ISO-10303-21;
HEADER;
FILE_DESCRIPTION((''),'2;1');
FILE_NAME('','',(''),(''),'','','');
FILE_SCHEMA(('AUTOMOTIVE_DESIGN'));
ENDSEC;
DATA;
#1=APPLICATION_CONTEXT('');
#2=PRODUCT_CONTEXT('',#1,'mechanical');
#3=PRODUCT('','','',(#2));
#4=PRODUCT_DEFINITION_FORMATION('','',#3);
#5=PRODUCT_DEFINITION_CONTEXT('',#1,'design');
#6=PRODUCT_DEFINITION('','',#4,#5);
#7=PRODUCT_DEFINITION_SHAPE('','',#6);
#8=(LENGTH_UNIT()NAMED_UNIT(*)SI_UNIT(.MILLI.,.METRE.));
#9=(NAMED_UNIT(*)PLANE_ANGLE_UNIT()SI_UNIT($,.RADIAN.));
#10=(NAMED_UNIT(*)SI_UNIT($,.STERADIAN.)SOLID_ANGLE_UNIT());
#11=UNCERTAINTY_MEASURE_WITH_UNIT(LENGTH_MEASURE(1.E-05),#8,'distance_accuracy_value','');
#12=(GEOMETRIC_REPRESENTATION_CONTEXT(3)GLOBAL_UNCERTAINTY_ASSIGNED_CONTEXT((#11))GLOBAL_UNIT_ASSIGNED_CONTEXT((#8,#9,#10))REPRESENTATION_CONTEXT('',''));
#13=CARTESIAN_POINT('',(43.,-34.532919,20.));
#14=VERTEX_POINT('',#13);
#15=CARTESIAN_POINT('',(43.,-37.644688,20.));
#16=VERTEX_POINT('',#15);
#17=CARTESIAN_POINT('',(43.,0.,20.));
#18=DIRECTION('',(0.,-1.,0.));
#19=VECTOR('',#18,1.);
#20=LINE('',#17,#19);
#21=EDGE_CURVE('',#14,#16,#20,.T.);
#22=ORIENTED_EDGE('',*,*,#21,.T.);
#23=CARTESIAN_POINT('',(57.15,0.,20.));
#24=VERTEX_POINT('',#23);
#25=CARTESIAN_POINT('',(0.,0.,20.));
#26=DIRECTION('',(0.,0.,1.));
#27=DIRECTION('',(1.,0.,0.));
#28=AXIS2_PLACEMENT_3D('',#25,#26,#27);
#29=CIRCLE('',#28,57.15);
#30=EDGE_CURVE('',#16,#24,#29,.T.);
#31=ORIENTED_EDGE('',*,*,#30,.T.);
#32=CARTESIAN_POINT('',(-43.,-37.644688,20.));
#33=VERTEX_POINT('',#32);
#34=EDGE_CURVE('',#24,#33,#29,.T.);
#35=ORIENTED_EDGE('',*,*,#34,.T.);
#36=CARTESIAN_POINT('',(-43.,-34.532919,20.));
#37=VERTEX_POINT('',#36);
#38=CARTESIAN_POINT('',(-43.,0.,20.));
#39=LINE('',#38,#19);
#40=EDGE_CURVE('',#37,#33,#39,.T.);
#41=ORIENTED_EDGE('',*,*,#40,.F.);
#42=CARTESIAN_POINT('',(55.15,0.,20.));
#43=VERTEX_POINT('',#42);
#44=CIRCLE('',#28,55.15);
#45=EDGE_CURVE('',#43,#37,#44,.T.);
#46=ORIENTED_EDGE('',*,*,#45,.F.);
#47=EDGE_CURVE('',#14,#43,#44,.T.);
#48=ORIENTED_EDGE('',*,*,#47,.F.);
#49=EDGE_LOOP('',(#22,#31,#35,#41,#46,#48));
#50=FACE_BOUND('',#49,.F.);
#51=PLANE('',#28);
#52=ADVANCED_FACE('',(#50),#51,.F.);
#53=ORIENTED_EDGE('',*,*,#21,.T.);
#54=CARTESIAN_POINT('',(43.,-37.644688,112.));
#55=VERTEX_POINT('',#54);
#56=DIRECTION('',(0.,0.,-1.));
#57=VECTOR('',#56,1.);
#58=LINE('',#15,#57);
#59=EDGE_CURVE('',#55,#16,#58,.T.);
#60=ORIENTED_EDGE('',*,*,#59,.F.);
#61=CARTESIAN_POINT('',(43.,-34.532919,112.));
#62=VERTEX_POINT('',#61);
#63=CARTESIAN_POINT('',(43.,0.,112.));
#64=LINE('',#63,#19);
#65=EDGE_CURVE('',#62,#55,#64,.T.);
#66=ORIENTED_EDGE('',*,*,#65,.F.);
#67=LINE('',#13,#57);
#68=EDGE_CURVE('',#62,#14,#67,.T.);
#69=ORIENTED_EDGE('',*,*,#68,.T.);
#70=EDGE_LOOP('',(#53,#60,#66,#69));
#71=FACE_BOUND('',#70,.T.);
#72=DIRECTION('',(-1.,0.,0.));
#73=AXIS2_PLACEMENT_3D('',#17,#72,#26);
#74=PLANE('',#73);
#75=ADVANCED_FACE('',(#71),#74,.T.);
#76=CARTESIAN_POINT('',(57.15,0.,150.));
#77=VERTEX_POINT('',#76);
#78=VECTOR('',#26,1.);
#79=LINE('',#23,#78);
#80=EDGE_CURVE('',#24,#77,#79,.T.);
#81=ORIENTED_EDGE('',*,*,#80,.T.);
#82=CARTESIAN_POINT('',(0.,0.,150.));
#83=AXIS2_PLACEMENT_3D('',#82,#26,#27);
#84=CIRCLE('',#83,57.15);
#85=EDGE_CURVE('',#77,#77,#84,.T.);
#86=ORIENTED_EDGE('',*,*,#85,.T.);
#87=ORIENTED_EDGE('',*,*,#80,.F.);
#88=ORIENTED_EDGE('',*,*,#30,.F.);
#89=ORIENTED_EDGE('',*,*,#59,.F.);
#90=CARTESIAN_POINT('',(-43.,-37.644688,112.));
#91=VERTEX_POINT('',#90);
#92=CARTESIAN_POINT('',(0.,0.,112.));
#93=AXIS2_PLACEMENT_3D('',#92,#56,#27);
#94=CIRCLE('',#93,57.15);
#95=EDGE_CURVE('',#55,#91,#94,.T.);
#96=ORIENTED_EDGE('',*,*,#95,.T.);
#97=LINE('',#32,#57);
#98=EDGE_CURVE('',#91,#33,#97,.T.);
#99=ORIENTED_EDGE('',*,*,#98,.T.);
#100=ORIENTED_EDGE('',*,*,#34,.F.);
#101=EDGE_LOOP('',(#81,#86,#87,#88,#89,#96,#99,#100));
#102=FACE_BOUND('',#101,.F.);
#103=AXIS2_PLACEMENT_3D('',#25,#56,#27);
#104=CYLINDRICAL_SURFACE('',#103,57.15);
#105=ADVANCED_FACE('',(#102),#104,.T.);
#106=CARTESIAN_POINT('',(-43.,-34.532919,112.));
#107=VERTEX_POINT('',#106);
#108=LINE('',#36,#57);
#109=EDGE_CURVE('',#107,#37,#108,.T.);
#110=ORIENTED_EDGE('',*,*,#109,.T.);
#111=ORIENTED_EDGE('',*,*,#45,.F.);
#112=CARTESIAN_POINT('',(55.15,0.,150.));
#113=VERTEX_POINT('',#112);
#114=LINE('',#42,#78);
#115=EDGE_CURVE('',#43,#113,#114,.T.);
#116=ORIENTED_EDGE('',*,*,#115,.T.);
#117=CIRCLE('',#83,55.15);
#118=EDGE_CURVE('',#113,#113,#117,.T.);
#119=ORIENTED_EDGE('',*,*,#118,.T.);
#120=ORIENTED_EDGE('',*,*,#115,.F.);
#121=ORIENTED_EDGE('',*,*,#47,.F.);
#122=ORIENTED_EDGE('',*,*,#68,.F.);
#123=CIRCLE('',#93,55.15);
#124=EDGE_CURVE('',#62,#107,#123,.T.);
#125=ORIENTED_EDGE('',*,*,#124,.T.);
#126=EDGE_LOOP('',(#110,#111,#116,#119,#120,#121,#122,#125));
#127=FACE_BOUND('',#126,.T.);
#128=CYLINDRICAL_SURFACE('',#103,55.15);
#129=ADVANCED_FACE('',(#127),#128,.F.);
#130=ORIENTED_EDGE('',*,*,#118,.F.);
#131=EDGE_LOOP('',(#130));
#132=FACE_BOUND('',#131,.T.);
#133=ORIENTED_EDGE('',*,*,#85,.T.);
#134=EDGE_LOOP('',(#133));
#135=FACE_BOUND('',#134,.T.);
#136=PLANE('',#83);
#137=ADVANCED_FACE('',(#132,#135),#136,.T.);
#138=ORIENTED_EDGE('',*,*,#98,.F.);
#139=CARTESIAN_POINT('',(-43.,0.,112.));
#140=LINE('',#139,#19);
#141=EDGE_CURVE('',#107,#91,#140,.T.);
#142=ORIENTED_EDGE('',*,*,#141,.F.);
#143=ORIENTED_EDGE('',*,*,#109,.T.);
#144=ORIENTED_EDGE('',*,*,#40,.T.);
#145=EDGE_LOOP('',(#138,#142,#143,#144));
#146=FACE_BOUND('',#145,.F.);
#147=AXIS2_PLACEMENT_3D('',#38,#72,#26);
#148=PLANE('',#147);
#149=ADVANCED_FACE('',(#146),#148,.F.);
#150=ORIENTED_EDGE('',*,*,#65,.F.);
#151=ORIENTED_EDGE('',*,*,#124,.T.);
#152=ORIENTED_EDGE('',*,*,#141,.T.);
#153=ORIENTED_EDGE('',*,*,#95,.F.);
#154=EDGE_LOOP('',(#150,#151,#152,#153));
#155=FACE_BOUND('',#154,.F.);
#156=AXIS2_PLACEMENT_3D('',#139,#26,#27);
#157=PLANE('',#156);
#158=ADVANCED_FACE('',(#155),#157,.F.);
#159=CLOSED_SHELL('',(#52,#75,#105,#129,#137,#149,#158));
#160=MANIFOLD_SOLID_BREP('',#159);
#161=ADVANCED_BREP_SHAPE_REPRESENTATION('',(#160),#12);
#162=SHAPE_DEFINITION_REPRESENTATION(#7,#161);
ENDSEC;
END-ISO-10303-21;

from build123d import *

# Parameters (mm, degrees)
SKETCH004_W      = 86
SKETCH004_H      = 92
EXTRUDE005_DEPTH = 68.155048
TUBE_R           = 57.15
TUBE_R_2         = 55.15
TUBE_DEPTH       = 130


with BuildPart() as holeboiler:
    # Sketch004 → Extrude005 (new body)
    with BuildSketch(Plane.XZ):
        with Locations((0, 66)):
            Rectangle(SKETCH004_W, SKETCH004_H)
    extrude(amount=EXTRUDE005_DEPTH)


with BuildPart() as cut:
    # Tube → Tube (new body)
    with BuildSketch(Plane.XY.offset(20)):
        Circle(TUBE_R)
        Circle(TUBE_R_2, mode=Mode.SUBTRACT)
    extrude(amount=TUBE_DEPTH)

    # Cut: cut HoleBoiler
    add(holeboiler.part, mode=Mode.SUBTRACT)


solid = cut.part
